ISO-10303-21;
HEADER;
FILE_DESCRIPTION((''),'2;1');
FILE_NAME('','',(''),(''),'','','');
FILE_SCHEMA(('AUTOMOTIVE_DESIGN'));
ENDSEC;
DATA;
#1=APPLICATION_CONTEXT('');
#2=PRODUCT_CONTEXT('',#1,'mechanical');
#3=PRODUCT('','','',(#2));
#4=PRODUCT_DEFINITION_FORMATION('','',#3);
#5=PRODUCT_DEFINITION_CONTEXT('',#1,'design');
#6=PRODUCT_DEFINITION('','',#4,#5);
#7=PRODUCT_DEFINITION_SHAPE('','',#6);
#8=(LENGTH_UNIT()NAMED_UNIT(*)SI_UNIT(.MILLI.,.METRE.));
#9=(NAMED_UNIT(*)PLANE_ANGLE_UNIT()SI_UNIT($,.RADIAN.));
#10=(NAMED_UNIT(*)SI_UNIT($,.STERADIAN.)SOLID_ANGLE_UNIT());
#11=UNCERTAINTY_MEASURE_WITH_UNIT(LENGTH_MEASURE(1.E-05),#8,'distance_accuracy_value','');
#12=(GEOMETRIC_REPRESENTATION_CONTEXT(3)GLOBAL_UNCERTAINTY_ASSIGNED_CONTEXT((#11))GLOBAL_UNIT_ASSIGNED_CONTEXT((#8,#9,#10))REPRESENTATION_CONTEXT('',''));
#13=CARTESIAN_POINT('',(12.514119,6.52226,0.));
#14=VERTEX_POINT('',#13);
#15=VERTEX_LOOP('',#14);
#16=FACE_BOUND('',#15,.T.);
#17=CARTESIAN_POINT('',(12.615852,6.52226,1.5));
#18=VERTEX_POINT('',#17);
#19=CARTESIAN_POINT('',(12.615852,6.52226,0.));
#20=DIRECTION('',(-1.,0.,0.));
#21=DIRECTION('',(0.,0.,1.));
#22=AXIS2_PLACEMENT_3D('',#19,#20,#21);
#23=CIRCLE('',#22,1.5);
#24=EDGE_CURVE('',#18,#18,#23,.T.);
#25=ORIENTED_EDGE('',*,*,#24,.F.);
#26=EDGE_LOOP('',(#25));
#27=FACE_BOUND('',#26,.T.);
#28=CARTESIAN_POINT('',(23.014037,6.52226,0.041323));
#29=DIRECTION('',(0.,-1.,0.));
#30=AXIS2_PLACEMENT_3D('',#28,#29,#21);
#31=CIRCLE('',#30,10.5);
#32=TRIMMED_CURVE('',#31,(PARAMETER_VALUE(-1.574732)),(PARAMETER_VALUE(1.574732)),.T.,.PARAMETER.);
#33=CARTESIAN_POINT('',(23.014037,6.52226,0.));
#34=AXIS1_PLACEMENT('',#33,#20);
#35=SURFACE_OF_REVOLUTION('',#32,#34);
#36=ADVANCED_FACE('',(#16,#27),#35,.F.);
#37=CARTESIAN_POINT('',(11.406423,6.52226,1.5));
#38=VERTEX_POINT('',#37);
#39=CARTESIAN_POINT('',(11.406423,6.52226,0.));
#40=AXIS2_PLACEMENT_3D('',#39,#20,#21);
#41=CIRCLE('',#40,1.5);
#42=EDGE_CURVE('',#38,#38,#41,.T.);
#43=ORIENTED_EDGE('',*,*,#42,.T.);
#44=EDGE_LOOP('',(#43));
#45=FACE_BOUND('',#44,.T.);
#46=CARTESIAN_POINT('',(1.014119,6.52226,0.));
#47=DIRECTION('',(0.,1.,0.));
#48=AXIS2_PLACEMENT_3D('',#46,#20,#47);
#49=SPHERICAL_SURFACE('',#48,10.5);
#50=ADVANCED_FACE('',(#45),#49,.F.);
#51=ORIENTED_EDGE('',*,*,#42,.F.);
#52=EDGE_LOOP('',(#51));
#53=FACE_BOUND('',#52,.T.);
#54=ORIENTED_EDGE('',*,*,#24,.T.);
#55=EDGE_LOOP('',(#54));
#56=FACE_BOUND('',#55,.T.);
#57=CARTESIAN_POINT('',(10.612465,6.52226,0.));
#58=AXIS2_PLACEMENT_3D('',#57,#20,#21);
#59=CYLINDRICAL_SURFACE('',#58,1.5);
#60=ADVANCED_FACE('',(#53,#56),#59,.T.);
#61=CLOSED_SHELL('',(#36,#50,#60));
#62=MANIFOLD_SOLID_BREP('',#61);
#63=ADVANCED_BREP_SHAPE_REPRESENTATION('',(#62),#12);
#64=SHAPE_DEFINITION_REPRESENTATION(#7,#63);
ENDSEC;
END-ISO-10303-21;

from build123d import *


with BuildPart() as part:
    # 草图1 → 旋转1 (revolve)
    with BuildSketch(Plane.XY, mode=Mode.PRIVATE) as revolve_1_sk:
        with BuildLine():
            Line((12.514118604, 6.522260287), (11.514118604, 6.522260287))
            ThreePointArc((11.514118604, 6.522260287), (11.487160208, 7.274190844), (11.406423449, 8.022260287))
            Line((11.406423449, 8.022260287), (12.014118604, 8.022260287))
            Line((12.014118604, 8.022260287), (12.615851783, 8.022260287))
            ThreePointArc((12.615851783, 8.022260287), (12.538103455, 7.274083464), (12.514118604, 6.522260287))
        make_face()
    revolve(revolve_1_sk.sketch.rotate(Axis((10.612465279, 6.522260287, 0), (1, 0, 0)), 90), axis=Axis((10.612465279, 6.522260287, 0), (1, 0, 0)))  # turned: the seam where the file's is


solid = part.part
